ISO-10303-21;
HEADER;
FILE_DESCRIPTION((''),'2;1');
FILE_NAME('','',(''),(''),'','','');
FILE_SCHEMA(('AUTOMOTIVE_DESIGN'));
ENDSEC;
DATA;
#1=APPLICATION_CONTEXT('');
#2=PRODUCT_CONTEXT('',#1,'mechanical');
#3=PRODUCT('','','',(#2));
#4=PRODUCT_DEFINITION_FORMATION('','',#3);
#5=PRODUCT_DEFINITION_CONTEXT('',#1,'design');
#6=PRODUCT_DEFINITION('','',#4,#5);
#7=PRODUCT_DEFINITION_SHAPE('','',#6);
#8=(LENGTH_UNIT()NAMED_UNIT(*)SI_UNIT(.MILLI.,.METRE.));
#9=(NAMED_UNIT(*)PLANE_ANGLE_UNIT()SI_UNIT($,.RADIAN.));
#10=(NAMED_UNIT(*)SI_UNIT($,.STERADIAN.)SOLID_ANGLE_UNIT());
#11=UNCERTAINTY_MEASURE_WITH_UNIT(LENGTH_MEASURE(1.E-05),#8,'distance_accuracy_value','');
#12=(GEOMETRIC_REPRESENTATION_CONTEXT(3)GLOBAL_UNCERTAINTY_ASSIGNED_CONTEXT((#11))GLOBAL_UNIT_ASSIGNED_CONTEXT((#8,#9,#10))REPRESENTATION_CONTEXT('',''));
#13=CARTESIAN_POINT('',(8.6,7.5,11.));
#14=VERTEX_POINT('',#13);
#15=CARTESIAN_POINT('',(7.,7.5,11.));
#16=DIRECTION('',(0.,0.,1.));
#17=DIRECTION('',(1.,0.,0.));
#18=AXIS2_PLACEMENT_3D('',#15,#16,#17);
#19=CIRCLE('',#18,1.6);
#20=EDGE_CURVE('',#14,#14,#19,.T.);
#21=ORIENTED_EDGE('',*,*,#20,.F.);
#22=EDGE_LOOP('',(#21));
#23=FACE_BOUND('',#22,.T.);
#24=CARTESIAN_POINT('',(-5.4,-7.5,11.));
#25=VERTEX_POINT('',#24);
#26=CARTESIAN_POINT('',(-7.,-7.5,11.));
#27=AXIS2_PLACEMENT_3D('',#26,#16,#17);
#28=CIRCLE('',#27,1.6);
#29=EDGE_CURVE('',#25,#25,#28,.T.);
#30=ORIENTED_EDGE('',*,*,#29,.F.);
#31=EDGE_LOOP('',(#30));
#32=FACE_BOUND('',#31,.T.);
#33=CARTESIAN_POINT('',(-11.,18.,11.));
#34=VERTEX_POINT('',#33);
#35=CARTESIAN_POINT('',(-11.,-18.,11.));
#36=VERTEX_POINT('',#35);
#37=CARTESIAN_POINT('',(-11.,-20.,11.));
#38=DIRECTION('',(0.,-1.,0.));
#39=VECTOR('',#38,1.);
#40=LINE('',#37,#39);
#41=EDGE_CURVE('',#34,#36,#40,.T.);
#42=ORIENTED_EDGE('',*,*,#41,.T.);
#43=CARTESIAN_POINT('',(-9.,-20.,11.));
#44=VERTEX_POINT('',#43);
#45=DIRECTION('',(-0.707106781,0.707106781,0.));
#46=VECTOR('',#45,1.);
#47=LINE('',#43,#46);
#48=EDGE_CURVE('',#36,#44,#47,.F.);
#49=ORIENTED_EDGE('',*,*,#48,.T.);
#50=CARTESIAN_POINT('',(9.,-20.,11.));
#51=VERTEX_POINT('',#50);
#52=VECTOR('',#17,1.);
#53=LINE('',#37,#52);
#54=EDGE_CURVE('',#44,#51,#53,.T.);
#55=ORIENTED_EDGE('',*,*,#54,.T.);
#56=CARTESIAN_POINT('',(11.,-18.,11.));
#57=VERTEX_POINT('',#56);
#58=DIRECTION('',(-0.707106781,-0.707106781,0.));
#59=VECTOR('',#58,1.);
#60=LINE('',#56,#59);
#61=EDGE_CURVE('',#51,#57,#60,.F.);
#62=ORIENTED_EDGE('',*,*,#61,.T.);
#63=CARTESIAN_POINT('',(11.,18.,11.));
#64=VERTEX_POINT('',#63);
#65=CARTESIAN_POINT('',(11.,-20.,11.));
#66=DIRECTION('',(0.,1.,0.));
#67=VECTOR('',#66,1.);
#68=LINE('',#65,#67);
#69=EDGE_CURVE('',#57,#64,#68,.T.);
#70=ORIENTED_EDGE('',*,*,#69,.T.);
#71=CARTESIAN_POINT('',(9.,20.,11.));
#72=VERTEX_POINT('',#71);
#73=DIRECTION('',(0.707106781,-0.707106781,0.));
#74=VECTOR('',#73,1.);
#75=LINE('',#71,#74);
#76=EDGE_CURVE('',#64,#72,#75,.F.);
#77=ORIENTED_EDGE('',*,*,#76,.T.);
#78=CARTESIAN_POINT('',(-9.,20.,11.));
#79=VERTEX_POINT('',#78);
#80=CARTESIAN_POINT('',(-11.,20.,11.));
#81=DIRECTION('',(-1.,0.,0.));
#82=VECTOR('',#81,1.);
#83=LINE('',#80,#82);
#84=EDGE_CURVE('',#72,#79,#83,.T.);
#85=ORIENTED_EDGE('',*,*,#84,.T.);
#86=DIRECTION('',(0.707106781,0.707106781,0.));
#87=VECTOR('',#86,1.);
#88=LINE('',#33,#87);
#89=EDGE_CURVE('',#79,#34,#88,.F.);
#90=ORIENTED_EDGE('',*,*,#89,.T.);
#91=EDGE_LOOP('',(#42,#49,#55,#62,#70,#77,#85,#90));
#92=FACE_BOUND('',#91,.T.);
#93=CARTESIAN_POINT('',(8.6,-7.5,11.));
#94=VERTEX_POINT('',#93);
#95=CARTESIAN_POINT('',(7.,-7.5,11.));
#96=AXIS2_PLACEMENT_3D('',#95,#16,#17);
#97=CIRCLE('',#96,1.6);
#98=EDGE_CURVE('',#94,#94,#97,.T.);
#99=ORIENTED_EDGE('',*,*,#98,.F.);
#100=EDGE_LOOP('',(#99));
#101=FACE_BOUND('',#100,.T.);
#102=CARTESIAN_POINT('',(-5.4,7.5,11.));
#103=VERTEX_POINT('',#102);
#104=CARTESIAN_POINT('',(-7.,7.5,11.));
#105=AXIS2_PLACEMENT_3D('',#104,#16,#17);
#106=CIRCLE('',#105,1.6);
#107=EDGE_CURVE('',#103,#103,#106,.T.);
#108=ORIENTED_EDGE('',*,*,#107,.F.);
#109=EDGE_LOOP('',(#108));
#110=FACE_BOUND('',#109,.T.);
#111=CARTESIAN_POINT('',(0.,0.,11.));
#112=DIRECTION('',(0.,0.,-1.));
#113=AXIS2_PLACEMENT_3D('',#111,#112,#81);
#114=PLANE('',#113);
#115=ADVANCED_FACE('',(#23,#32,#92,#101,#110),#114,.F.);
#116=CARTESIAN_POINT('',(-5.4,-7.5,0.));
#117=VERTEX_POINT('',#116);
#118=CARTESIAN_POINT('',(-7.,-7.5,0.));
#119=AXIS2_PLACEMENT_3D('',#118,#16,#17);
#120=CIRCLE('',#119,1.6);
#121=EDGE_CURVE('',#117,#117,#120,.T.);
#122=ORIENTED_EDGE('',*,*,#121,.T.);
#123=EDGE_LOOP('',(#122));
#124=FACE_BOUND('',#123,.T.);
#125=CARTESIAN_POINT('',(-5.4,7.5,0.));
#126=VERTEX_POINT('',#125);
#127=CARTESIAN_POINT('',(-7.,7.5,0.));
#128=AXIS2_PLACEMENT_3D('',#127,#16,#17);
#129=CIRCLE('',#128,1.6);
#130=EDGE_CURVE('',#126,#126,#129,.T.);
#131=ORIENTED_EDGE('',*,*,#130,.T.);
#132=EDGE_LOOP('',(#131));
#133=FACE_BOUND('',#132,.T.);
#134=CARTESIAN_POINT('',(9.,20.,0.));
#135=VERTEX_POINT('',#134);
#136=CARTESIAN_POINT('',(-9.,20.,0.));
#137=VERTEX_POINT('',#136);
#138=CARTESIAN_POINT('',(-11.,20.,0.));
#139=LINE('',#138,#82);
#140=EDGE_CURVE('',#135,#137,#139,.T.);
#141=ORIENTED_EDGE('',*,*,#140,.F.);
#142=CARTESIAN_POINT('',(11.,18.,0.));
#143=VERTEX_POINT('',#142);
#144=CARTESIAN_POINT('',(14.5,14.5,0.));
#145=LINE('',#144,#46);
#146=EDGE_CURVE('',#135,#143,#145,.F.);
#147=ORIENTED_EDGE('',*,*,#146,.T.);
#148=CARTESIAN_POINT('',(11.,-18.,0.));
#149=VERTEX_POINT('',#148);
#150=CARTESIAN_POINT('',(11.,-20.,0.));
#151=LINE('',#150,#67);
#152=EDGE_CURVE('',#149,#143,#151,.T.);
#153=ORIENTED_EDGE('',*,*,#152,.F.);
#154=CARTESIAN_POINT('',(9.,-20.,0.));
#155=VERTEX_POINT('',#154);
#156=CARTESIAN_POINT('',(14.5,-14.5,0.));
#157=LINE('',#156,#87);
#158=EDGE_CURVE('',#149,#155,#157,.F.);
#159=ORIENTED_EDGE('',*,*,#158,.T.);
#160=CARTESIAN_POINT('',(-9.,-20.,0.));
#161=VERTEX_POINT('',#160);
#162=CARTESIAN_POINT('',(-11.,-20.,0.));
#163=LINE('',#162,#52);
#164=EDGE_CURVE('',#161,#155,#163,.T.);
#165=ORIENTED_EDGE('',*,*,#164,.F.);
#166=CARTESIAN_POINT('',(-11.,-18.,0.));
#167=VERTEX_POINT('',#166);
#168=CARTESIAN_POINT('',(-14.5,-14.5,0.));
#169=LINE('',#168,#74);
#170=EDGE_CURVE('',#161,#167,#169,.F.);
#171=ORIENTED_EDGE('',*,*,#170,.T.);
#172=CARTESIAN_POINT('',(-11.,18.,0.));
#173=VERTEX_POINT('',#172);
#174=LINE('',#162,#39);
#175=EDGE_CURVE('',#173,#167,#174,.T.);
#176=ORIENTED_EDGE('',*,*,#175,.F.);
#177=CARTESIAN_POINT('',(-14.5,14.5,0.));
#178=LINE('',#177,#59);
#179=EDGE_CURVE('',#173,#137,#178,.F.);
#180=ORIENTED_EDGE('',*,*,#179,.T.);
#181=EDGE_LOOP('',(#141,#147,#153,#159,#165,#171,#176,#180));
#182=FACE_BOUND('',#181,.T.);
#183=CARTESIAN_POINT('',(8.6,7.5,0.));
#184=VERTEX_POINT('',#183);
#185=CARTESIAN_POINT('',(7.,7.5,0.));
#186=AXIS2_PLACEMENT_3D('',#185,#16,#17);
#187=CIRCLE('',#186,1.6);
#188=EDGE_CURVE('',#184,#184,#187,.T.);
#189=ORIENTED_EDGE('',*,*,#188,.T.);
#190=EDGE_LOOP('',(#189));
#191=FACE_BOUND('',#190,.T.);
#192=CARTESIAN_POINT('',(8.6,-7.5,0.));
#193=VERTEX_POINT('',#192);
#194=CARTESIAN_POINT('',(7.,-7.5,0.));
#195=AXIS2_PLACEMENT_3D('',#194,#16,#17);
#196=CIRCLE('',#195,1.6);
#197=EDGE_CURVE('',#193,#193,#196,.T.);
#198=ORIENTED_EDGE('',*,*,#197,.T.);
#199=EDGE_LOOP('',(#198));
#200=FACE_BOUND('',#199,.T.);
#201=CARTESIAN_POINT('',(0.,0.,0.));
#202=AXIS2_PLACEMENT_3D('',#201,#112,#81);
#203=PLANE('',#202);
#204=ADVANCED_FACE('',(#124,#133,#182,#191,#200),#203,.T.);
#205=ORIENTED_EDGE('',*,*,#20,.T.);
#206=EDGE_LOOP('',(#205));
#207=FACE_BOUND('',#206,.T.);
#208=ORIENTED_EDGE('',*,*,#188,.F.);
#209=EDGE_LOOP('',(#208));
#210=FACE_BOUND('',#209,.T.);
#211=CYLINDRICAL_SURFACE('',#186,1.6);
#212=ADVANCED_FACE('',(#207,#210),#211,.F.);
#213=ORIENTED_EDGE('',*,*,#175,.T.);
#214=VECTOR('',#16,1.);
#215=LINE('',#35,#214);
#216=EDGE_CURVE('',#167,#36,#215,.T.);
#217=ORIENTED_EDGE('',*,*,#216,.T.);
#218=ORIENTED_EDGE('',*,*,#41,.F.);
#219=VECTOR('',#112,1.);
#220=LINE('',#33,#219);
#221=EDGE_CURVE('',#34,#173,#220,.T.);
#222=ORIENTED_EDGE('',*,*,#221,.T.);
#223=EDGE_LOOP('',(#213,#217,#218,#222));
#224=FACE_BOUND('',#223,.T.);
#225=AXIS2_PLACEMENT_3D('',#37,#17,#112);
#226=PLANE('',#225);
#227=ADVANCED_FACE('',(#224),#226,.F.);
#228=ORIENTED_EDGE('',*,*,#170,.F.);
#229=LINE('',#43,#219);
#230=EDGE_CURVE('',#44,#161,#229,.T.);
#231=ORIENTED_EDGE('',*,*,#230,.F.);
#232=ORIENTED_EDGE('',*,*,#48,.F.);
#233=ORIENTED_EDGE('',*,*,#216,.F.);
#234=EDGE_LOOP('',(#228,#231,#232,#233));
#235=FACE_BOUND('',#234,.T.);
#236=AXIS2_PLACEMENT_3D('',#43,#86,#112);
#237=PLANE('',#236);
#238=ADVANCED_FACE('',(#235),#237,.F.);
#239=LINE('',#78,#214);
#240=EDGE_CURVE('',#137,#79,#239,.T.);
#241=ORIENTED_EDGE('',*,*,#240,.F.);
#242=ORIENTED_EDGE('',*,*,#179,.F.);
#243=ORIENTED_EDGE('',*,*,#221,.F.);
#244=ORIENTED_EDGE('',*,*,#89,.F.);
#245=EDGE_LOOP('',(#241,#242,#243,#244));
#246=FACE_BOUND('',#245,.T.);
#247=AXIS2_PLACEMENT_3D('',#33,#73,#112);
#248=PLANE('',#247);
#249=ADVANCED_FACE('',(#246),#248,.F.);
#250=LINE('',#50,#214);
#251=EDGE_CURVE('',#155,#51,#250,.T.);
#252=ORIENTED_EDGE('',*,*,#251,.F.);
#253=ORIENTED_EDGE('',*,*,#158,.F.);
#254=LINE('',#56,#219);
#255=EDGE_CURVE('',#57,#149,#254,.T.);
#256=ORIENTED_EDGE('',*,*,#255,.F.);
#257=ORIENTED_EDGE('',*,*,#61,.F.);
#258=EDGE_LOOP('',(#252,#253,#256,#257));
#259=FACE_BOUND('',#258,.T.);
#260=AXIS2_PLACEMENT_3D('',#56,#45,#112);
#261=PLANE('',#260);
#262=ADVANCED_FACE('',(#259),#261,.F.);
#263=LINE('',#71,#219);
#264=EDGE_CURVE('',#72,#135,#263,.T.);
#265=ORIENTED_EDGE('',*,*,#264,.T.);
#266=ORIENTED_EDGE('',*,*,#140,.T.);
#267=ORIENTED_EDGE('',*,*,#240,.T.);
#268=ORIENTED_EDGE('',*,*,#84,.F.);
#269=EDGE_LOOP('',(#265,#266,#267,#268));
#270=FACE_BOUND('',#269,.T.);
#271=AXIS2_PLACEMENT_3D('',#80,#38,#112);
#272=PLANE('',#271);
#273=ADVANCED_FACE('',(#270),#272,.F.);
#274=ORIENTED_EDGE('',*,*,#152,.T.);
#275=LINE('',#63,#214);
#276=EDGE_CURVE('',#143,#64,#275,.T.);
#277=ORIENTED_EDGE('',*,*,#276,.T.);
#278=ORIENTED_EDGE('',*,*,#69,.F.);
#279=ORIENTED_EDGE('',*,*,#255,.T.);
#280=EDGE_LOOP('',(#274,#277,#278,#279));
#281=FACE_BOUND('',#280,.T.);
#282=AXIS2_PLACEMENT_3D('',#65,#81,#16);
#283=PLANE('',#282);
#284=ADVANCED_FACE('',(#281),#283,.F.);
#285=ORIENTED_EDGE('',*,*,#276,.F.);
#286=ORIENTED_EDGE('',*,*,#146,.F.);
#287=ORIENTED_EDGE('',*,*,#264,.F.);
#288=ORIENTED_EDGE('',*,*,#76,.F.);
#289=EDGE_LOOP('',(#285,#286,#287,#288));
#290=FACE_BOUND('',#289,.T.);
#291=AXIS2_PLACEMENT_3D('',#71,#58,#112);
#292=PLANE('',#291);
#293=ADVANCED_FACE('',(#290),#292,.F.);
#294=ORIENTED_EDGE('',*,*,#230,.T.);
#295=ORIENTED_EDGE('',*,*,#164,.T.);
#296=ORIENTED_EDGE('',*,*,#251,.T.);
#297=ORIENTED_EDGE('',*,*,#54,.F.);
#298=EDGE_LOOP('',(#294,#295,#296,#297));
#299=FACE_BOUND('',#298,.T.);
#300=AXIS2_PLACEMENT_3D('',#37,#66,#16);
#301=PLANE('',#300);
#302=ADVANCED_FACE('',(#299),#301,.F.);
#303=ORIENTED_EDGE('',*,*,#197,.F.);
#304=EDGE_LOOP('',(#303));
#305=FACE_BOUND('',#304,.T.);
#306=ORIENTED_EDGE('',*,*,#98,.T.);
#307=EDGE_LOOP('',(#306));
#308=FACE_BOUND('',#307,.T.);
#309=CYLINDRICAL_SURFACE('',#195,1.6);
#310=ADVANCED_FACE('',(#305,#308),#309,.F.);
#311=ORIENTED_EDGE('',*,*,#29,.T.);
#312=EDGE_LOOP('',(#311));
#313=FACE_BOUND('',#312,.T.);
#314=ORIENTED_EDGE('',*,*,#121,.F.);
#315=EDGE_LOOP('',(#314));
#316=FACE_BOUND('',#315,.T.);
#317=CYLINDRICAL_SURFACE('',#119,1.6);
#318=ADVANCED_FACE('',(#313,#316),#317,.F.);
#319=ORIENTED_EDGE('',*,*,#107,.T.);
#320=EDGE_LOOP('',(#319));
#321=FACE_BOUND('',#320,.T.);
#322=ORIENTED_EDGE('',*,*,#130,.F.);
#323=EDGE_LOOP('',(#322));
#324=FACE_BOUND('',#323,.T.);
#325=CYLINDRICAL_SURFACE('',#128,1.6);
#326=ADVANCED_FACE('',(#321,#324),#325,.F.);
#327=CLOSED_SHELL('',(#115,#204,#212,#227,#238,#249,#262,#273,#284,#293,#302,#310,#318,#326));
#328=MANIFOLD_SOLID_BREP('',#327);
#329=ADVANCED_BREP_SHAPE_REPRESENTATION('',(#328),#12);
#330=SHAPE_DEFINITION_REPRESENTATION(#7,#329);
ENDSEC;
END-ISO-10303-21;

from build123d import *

# Parameters (mm, degrees)
SKETCH_1_W                  = 22
SKETCH_1_H                  = 40
EXTRUDE_1_DEPTH             = 11
SKETCH_4_R                  = 1.6
CUT_EXTRUDE_3_DEPTH         = 12
PATTERN_LINEAR_1_COUNT      = 2
PATTERN_LINEAR_1_PITCH      = 14
PATTERN_LINEAR_1_COUNT_DIR2 = 2
PATTERN_LINEAR_1_PITCH_DIR2 = 15
CHAMFER_1_SIZE              = 2


with BuildPart() as part:
    # 草圖1 → 填料-伸長1 (new body)
    with BuildSketch(Plane.XY):
        Rectangle(SKETCH_1_W, SKETCH_1_H)
    extrude(amount=EXTRUDE_1_DEPTH)

    # 草圖4 → 除料-伸長3 (cut, through all)
    with BuildSketch(Plane.XY.offset(11)):
        with Locations((-7, 7.5)):
            Circle(SKETCH_4_R)
    cut_extrude_3 = extrude(amount=-CUT_EXTRUDE_3_DEPTH, mode=Mode.SUBTRACT)

    # 直線複製排列1: Cut-Extrude 3 2 × 2
    with Locations(*[(i * PATTERN_LINEAR_1_PITCH, -j * PATTERN_LINEAR_1_PITCH_DIR2, 0) for i in range(PATTERN_LINEAR_1_COUNT) for j in range(PATTERN_LINEAR_1_COUNT_DIR2) if (i, j) != (0, 0)]):
        add(cut_extrude_3, mode=Mode.SUBTRACT)

    # 導角1
    chamfer_1_edges = [part.edges().sort_by_distance(p)[0] for p in [
        (11, -20, 5.5),
        (-11, -20, 5.5),
        (-11, 20, 5.5),
        (11, 20, 5.5),
    ]]
    chamfer(chamfer_1_edges, length=CHAMFER_1_SIZE)


solid = part.part
